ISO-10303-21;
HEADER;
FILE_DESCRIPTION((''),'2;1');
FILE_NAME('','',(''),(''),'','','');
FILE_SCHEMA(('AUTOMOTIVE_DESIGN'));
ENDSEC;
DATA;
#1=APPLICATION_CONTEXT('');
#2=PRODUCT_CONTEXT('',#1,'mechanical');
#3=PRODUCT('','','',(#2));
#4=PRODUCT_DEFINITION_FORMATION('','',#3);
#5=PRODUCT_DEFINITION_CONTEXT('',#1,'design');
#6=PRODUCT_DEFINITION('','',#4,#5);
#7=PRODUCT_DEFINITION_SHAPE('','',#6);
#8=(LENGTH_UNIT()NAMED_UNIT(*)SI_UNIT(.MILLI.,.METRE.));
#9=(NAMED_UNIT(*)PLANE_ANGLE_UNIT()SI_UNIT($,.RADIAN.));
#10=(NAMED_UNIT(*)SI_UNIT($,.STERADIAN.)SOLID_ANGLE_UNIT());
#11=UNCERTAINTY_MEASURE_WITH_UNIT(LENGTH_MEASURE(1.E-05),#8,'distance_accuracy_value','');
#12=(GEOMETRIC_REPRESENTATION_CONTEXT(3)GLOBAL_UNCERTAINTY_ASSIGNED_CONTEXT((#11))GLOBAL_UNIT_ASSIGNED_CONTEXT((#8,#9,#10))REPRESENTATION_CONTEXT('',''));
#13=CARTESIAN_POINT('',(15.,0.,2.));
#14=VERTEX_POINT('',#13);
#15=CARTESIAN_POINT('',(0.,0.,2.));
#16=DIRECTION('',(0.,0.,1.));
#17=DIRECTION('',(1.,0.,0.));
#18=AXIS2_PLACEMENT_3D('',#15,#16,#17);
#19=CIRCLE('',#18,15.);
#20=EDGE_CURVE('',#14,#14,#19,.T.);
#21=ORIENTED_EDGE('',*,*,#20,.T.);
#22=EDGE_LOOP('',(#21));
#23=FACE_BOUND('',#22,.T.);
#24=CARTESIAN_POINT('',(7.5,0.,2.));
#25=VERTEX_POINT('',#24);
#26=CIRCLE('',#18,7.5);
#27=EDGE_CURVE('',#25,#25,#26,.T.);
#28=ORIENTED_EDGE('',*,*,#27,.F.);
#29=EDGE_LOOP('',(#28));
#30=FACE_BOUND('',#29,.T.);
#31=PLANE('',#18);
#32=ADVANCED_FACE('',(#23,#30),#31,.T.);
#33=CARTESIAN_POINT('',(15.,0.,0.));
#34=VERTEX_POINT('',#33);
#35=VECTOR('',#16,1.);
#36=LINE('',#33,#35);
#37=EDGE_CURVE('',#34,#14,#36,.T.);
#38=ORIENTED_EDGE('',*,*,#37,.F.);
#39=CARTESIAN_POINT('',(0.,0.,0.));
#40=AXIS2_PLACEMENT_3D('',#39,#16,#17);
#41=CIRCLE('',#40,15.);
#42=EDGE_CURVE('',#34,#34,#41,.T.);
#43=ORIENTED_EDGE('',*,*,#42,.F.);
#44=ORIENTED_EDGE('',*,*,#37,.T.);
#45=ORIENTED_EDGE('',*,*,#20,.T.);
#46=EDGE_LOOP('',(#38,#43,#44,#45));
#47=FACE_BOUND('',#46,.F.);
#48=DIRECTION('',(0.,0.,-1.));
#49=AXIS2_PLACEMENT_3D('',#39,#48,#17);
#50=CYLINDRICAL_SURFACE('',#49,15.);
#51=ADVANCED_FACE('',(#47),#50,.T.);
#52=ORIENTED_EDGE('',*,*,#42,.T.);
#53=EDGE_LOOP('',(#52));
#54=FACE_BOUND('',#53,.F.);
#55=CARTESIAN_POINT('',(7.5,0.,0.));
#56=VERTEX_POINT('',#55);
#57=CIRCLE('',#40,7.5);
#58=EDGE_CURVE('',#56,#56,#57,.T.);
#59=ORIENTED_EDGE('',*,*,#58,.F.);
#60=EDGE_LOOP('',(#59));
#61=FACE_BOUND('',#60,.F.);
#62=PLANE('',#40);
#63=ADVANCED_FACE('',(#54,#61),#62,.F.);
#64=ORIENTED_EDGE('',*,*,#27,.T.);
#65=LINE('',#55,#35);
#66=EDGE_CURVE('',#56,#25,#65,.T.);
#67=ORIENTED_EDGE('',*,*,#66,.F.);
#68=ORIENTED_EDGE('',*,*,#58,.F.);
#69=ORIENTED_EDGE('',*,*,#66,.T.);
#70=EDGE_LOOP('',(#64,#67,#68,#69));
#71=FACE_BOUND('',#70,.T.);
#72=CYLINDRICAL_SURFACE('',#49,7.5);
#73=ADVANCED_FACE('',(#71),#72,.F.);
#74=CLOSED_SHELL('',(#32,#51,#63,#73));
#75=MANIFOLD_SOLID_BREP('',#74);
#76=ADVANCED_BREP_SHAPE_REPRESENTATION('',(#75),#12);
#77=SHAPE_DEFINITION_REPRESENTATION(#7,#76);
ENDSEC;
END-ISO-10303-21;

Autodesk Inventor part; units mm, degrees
ref_plane "YZ Plane" through (0, 0, 0) normal (1, 0, 0) x (0, 1, 0)
ref_plane "XZ Plane" through (0, 0, 0) normal (0, 1, 0) x (-1, 0, 0)
ref_plane "XY Plane" through (0, 0, 0) normal (0, 0, 1) x (1, 0, 0)
sketch "スケッチ1" plane through (0, 0, 0) normal (0, 0, 1) x (1, 0, 0)
  circle A0 centre (0, 0) radius 15
  circle A1 centre (0, 0) radius 7.5
  dimension "d0" = 30
  dimension "d1" = 15
extrude "押し出し1" add sketch "スケッチ1" along normal blind 2
properties part number "M14ワッシャー"
